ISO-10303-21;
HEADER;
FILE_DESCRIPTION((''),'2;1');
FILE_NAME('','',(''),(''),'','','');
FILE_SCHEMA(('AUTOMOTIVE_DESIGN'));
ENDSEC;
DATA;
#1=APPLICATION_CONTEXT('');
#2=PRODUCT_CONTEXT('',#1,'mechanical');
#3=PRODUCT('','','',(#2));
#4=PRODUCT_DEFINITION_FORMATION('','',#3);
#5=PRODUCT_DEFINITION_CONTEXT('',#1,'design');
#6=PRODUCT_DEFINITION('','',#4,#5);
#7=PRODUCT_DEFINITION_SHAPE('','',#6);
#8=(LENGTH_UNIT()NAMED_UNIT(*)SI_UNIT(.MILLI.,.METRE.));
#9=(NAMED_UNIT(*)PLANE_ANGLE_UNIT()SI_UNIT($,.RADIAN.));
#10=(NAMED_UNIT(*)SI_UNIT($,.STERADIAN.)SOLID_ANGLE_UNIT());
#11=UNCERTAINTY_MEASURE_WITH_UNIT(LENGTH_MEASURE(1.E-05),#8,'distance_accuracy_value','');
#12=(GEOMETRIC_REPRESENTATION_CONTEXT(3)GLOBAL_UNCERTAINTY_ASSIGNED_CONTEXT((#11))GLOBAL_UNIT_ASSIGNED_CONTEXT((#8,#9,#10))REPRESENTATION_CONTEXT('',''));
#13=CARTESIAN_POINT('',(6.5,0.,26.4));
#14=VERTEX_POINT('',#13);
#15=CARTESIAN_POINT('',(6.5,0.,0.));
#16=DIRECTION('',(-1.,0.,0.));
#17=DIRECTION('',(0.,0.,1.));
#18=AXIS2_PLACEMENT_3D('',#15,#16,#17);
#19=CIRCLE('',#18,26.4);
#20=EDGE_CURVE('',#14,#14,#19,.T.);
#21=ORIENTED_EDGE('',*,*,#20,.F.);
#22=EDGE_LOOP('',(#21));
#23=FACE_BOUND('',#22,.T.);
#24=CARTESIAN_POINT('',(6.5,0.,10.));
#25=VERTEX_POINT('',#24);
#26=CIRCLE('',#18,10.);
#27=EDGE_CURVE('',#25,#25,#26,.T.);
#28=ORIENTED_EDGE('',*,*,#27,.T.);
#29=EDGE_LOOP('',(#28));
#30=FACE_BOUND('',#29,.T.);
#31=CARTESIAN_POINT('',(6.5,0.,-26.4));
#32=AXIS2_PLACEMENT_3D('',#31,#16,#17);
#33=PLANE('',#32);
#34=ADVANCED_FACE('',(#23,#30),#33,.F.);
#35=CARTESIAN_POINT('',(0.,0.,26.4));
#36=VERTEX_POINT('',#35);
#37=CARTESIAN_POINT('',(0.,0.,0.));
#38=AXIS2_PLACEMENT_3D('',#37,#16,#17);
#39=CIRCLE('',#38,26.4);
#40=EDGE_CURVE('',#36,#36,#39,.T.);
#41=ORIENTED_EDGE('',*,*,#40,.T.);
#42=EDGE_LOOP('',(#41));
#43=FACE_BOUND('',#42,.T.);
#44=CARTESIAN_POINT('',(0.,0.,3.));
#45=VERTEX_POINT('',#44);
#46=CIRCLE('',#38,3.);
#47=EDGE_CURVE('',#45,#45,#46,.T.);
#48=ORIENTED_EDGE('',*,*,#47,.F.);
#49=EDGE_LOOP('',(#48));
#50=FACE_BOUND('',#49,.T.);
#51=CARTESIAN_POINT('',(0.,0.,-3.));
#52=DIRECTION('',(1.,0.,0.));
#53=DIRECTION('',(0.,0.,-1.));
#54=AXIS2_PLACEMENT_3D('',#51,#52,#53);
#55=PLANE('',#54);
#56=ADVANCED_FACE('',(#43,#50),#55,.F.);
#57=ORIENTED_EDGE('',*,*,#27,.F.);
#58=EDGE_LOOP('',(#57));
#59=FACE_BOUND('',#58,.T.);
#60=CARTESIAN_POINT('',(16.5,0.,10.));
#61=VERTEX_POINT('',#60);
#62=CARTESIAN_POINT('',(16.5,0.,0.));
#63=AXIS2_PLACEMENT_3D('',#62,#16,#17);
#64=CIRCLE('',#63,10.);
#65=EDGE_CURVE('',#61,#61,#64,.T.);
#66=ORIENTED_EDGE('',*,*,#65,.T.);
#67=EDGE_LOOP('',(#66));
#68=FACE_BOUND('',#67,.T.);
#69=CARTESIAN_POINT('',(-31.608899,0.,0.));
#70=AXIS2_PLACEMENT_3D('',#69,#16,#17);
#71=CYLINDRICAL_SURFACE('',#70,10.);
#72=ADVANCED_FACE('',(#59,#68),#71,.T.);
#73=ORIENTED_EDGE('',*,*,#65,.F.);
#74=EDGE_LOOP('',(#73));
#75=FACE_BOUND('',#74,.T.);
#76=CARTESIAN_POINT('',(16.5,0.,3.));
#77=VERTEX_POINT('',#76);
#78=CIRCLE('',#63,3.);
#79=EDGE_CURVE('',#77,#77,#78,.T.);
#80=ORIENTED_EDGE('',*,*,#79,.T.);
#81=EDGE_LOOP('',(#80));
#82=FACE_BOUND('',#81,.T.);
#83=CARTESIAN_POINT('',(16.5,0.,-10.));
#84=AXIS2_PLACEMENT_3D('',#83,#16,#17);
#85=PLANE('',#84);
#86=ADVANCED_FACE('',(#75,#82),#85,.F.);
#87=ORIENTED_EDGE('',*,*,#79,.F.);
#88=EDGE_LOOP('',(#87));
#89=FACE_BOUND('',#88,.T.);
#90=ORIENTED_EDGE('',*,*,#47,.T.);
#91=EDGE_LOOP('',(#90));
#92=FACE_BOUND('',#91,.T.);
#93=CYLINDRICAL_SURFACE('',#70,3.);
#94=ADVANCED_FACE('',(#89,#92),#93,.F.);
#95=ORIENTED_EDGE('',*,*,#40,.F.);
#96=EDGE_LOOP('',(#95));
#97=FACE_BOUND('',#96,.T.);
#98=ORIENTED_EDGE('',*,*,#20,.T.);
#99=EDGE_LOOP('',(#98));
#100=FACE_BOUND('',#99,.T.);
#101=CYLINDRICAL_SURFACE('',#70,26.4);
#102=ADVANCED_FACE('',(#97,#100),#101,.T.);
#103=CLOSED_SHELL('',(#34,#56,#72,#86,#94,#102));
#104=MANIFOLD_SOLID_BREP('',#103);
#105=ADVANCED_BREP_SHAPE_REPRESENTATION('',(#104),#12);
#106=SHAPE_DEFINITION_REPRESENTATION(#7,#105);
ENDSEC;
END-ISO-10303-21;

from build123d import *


with BuildPart() as part:
    # Sketch1 → Revolve1 (revolve)
    with BuildSketch(Plane(origin=(0, 0, 0), x_dir=(1, 0, 0), z_dir=(0, 1, 0)), mode=Mode.PRIVATE) as revolve1_sk:
        Polygon((0, 3), (0, 26.4), (6.5, 26.4), (6.5, 10), (16.5, 10), (16.5, 3), align=None)
    revolve(revolve1_sk.sketch.rotate(Axis((-31.608899315, 0, 0), (1, 0, 0)), 180), axis=Axis((-31.608899315, 0, 0), (1, 0, 0)))


solid = part.part
